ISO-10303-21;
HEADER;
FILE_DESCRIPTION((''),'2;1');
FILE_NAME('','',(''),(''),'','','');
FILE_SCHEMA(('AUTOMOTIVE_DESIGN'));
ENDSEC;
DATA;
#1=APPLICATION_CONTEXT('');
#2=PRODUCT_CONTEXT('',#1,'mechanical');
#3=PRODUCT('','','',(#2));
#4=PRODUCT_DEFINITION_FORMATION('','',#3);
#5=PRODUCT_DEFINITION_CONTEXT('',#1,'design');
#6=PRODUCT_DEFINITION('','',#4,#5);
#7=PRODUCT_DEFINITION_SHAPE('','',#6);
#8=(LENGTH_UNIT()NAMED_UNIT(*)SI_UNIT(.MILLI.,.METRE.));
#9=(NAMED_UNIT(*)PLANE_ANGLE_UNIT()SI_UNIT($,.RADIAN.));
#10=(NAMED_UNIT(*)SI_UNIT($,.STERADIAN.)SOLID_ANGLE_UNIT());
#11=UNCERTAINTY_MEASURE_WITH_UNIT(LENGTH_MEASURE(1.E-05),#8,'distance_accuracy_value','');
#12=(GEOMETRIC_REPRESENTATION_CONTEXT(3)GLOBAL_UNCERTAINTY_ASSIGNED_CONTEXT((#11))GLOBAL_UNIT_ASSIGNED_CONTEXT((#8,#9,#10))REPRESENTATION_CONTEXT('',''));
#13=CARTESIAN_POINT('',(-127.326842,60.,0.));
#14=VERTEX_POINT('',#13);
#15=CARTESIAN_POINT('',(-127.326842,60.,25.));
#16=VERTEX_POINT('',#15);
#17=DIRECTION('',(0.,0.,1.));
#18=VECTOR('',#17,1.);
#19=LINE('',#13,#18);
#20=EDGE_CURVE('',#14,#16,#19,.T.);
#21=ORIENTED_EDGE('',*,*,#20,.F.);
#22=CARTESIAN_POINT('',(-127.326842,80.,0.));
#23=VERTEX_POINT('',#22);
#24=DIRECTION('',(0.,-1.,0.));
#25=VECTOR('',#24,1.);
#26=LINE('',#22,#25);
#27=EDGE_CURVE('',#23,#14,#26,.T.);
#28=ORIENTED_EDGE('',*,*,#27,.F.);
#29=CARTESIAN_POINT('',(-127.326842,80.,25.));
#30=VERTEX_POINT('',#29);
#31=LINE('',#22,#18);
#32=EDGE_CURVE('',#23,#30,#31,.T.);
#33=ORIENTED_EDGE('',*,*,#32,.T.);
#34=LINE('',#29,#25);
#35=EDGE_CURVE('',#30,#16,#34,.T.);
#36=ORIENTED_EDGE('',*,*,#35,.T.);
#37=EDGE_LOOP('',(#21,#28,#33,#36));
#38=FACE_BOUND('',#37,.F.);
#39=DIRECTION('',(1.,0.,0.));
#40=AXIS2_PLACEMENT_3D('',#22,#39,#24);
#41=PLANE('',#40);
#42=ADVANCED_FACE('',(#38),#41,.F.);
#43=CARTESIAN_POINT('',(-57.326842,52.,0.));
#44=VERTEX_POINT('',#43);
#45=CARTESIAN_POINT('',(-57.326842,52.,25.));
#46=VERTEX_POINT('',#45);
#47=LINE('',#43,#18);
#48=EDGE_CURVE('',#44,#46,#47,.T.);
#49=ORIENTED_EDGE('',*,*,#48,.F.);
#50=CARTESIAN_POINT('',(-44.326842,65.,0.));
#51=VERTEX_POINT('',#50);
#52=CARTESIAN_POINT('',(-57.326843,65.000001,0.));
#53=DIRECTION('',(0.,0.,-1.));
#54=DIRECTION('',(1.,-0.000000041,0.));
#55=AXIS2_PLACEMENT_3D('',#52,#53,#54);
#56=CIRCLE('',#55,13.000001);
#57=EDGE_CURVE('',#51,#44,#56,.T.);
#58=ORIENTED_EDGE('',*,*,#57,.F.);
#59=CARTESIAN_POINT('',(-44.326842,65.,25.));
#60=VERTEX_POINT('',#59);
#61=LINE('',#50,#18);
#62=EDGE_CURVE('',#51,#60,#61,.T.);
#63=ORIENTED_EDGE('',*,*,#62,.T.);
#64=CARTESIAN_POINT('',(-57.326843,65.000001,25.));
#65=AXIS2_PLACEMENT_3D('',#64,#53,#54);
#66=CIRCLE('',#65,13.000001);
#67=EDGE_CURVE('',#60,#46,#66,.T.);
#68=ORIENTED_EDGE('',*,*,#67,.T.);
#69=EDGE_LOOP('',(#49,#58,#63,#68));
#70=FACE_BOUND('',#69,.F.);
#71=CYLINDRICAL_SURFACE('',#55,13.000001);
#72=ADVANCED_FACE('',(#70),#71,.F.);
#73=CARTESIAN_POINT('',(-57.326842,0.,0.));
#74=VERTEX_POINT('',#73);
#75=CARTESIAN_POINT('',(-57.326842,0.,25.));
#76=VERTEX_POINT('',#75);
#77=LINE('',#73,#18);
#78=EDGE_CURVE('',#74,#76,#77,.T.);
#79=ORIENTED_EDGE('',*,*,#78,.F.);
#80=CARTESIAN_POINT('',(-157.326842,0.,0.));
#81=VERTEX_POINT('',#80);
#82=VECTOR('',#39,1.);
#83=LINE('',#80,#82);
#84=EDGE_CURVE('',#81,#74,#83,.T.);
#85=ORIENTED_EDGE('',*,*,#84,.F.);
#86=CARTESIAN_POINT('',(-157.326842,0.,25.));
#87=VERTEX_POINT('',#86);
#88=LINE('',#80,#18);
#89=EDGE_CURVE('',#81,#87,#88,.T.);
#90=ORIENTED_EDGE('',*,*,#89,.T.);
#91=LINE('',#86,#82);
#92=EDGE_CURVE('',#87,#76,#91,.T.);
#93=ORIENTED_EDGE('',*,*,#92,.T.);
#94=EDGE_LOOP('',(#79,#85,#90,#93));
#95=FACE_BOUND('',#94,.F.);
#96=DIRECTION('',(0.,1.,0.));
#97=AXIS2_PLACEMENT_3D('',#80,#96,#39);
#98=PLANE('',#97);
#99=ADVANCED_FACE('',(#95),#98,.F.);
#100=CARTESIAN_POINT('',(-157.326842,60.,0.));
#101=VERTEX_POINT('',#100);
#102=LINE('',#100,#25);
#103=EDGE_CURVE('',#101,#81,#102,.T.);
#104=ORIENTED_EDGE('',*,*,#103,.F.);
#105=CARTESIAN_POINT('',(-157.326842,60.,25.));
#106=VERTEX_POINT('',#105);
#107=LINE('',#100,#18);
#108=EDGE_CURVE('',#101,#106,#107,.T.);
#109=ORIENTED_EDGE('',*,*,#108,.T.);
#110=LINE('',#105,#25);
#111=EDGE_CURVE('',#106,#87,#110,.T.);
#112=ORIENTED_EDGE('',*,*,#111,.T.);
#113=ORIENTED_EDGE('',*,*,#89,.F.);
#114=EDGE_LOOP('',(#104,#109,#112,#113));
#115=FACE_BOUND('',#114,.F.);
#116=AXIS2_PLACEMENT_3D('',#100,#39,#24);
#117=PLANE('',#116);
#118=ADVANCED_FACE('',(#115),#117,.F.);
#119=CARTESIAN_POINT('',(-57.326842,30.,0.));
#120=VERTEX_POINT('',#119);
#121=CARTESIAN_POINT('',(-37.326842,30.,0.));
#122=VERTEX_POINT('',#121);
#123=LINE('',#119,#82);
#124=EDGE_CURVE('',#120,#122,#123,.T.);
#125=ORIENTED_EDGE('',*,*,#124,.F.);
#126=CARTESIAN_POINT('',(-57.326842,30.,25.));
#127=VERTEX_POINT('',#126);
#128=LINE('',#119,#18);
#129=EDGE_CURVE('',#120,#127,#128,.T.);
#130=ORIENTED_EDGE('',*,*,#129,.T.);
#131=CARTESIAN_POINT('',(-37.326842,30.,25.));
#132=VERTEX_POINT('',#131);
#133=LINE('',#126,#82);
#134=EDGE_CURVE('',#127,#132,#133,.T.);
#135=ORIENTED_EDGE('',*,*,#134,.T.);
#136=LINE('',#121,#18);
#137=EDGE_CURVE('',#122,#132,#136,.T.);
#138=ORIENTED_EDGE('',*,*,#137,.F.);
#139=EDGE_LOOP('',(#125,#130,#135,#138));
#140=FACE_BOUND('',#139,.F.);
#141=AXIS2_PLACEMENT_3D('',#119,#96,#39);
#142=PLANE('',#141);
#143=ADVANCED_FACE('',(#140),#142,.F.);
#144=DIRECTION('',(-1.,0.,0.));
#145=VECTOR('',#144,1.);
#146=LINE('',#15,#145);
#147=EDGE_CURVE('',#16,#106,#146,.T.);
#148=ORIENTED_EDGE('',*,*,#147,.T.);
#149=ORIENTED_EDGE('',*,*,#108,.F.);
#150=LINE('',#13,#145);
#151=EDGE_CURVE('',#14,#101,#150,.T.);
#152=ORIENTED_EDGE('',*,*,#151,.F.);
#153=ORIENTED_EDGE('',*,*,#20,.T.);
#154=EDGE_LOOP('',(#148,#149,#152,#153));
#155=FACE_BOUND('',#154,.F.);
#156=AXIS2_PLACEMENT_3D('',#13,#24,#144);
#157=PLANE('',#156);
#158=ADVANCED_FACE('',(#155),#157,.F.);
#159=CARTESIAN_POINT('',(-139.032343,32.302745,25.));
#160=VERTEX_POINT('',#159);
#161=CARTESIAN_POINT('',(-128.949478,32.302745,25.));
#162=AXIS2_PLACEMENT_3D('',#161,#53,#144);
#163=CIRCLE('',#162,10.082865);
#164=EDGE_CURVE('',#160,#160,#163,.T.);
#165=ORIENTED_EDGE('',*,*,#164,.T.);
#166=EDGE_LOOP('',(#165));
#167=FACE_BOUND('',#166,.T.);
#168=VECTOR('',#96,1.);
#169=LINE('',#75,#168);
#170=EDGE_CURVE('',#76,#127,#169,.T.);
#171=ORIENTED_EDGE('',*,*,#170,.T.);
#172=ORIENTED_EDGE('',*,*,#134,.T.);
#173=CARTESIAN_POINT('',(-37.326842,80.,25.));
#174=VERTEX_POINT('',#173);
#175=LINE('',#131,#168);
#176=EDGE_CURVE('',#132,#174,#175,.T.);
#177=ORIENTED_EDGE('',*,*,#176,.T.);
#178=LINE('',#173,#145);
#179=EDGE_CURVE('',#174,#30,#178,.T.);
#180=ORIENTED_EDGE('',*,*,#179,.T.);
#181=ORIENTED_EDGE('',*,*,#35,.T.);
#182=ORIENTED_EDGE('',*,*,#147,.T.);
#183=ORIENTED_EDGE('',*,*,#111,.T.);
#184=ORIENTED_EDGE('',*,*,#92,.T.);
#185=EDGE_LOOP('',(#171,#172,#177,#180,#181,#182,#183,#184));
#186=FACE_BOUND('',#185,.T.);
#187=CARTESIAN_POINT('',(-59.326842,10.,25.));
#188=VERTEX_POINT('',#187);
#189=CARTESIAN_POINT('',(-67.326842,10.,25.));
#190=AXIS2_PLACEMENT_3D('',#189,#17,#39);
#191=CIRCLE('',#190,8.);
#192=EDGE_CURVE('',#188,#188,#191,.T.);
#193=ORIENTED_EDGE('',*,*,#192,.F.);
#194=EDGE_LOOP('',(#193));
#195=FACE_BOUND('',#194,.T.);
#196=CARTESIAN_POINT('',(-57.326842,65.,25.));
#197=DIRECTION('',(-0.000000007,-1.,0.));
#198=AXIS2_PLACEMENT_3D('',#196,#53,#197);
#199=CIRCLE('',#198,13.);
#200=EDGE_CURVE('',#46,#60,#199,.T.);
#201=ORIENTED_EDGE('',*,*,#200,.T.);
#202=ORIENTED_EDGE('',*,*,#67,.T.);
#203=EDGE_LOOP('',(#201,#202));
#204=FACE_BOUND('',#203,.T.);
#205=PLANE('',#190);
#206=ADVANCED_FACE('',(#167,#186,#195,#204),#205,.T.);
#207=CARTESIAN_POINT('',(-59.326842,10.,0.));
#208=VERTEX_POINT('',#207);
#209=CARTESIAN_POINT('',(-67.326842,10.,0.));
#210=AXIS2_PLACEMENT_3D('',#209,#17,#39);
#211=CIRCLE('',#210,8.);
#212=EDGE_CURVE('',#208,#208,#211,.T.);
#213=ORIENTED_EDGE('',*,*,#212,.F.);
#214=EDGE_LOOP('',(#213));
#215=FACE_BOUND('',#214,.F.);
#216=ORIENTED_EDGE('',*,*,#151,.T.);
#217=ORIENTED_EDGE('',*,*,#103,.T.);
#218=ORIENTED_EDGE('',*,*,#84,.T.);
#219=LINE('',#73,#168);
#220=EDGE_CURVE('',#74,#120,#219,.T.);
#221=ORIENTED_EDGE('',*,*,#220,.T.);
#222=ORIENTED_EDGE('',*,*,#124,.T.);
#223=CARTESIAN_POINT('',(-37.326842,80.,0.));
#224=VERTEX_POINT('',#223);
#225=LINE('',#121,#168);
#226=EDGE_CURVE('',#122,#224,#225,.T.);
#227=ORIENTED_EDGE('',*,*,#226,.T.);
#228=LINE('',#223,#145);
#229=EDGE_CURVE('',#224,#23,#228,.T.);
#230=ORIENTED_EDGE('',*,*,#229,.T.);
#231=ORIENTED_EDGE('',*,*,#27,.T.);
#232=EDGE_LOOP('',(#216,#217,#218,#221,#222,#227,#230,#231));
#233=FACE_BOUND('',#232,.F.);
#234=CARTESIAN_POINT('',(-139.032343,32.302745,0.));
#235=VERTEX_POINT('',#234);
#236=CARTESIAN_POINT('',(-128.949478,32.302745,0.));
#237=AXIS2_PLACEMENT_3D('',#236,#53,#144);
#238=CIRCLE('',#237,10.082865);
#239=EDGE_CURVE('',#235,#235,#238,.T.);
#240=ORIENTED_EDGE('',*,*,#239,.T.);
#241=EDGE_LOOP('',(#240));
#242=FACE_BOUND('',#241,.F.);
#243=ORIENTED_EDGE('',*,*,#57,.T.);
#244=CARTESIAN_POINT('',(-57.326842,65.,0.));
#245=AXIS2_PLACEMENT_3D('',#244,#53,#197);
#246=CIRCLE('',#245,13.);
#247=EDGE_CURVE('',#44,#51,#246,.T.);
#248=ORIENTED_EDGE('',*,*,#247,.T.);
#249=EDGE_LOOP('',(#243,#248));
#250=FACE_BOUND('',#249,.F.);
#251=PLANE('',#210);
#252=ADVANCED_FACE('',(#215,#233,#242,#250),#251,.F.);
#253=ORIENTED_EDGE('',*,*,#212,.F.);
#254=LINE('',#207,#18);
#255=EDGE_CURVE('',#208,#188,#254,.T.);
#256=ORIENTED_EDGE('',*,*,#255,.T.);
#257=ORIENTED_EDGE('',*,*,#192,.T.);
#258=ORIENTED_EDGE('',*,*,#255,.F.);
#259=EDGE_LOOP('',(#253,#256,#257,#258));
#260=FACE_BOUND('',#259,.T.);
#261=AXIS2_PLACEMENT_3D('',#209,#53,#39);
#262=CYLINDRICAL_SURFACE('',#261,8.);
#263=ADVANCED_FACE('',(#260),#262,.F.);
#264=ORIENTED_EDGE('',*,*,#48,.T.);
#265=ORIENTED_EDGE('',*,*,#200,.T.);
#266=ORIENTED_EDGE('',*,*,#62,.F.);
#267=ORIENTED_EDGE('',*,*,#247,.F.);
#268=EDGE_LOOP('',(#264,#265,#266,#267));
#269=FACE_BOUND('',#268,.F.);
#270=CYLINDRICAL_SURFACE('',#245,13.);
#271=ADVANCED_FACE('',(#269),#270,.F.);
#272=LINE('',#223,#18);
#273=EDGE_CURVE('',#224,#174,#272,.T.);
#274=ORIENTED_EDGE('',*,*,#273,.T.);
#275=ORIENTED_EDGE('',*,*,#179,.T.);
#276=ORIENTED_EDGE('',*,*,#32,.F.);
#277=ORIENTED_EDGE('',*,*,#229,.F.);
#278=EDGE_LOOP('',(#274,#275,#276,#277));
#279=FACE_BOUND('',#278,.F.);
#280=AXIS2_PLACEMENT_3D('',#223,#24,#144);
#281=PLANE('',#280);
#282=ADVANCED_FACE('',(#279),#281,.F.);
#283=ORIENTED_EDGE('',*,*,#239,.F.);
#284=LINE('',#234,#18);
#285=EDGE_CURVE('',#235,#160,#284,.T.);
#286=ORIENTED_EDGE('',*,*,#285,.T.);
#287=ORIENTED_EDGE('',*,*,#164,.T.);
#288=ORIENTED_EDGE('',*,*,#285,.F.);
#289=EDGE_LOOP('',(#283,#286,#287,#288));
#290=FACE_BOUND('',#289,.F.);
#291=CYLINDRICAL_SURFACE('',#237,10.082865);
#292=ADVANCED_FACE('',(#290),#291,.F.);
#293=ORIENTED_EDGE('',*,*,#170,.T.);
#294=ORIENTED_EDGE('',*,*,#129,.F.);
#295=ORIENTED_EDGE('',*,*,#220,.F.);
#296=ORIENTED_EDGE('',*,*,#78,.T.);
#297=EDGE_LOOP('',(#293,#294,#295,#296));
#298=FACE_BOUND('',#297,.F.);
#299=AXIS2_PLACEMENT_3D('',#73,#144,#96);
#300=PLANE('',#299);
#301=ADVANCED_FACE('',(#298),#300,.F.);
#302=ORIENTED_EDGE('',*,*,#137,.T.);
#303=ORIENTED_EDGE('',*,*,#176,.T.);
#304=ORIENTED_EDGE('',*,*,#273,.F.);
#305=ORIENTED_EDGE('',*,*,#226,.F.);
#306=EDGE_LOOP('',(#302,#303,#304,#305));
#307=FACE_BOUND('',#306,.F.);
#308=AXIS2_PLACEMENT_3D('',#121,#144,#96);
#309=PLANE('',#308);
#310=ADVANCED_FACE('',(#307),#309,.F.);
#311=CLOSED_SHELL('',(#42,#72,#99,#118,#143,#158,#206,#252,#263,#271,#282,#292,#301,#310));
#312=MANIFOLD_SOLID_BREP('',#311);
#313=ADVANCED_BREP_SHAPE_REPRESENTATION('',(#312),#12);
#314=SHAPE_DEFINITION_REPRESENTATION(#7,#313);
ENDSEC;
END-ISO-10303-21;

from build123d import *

# Parameters (mm, degrees)
F0_R     = 8
F1_DEPTH = 25


with BuildPart() as f1:
    # F0 (on Top) → F1 (new body)
    with BuildSketch(Plane.XY):
        with Locations((-67.326842, 10)):
            Circle(F0_R)
        with BuildLine():
            ThreePointArc((-44.326842, 65), (-66.51923, 74.192388), (-57.326842, 52))
            ThreePointArc((-57.326842, 52), (-48.134454, 55.807612), (-44.326842, 65))
        make_face()
        with BuildLine():
            ThreePointArc((-118.866613, 32.302745), (-128.949478, 42.38561), (-139.032343, 32.302745))
            ThreePointArc((-139.032343, 32.302745), (-128.949478, 22.21988), (-118.866613, 32.302745))
        make_face()
        Polygon((-157.326842, 32.302745), (-157.326842, 0), (-57.326842, 0), (-57.326842, 10), (-57.326842, 30), (-37.326842, 30), (-37.326842, 80), (-127.326842, 80), (-127.326842, 60), (-157.326842, 60), align=None)
        with BuildLine():
            ThreePointArc((-118.866613, 32.302745), (-128.949478, 22.21988), (-139.032343, 32.302745))
            ThreePointArc((-139.032343, 32.302745), (-128.949478, 42.38561), (-118.866613, 32.302745))
        make_face(mode=Mode.SUBTRACT)
        with Locations((-67.326842, 10)):
            Circle(F0_R, mode=Mode.SUBTRACT)
        with BuildLine():
            ThreePointArc((-44.326842, 65), (-48.134454, 55.807612), (-57.326842, 52))
            ThreePointArc((-57.326842, 52), (-66.51923, 74.192388), (-44.326842, 65))
        make_face(mode=Mode.SUBTRACT)
    extrude(amount=F1_DEPTH)


solid = f1.part
